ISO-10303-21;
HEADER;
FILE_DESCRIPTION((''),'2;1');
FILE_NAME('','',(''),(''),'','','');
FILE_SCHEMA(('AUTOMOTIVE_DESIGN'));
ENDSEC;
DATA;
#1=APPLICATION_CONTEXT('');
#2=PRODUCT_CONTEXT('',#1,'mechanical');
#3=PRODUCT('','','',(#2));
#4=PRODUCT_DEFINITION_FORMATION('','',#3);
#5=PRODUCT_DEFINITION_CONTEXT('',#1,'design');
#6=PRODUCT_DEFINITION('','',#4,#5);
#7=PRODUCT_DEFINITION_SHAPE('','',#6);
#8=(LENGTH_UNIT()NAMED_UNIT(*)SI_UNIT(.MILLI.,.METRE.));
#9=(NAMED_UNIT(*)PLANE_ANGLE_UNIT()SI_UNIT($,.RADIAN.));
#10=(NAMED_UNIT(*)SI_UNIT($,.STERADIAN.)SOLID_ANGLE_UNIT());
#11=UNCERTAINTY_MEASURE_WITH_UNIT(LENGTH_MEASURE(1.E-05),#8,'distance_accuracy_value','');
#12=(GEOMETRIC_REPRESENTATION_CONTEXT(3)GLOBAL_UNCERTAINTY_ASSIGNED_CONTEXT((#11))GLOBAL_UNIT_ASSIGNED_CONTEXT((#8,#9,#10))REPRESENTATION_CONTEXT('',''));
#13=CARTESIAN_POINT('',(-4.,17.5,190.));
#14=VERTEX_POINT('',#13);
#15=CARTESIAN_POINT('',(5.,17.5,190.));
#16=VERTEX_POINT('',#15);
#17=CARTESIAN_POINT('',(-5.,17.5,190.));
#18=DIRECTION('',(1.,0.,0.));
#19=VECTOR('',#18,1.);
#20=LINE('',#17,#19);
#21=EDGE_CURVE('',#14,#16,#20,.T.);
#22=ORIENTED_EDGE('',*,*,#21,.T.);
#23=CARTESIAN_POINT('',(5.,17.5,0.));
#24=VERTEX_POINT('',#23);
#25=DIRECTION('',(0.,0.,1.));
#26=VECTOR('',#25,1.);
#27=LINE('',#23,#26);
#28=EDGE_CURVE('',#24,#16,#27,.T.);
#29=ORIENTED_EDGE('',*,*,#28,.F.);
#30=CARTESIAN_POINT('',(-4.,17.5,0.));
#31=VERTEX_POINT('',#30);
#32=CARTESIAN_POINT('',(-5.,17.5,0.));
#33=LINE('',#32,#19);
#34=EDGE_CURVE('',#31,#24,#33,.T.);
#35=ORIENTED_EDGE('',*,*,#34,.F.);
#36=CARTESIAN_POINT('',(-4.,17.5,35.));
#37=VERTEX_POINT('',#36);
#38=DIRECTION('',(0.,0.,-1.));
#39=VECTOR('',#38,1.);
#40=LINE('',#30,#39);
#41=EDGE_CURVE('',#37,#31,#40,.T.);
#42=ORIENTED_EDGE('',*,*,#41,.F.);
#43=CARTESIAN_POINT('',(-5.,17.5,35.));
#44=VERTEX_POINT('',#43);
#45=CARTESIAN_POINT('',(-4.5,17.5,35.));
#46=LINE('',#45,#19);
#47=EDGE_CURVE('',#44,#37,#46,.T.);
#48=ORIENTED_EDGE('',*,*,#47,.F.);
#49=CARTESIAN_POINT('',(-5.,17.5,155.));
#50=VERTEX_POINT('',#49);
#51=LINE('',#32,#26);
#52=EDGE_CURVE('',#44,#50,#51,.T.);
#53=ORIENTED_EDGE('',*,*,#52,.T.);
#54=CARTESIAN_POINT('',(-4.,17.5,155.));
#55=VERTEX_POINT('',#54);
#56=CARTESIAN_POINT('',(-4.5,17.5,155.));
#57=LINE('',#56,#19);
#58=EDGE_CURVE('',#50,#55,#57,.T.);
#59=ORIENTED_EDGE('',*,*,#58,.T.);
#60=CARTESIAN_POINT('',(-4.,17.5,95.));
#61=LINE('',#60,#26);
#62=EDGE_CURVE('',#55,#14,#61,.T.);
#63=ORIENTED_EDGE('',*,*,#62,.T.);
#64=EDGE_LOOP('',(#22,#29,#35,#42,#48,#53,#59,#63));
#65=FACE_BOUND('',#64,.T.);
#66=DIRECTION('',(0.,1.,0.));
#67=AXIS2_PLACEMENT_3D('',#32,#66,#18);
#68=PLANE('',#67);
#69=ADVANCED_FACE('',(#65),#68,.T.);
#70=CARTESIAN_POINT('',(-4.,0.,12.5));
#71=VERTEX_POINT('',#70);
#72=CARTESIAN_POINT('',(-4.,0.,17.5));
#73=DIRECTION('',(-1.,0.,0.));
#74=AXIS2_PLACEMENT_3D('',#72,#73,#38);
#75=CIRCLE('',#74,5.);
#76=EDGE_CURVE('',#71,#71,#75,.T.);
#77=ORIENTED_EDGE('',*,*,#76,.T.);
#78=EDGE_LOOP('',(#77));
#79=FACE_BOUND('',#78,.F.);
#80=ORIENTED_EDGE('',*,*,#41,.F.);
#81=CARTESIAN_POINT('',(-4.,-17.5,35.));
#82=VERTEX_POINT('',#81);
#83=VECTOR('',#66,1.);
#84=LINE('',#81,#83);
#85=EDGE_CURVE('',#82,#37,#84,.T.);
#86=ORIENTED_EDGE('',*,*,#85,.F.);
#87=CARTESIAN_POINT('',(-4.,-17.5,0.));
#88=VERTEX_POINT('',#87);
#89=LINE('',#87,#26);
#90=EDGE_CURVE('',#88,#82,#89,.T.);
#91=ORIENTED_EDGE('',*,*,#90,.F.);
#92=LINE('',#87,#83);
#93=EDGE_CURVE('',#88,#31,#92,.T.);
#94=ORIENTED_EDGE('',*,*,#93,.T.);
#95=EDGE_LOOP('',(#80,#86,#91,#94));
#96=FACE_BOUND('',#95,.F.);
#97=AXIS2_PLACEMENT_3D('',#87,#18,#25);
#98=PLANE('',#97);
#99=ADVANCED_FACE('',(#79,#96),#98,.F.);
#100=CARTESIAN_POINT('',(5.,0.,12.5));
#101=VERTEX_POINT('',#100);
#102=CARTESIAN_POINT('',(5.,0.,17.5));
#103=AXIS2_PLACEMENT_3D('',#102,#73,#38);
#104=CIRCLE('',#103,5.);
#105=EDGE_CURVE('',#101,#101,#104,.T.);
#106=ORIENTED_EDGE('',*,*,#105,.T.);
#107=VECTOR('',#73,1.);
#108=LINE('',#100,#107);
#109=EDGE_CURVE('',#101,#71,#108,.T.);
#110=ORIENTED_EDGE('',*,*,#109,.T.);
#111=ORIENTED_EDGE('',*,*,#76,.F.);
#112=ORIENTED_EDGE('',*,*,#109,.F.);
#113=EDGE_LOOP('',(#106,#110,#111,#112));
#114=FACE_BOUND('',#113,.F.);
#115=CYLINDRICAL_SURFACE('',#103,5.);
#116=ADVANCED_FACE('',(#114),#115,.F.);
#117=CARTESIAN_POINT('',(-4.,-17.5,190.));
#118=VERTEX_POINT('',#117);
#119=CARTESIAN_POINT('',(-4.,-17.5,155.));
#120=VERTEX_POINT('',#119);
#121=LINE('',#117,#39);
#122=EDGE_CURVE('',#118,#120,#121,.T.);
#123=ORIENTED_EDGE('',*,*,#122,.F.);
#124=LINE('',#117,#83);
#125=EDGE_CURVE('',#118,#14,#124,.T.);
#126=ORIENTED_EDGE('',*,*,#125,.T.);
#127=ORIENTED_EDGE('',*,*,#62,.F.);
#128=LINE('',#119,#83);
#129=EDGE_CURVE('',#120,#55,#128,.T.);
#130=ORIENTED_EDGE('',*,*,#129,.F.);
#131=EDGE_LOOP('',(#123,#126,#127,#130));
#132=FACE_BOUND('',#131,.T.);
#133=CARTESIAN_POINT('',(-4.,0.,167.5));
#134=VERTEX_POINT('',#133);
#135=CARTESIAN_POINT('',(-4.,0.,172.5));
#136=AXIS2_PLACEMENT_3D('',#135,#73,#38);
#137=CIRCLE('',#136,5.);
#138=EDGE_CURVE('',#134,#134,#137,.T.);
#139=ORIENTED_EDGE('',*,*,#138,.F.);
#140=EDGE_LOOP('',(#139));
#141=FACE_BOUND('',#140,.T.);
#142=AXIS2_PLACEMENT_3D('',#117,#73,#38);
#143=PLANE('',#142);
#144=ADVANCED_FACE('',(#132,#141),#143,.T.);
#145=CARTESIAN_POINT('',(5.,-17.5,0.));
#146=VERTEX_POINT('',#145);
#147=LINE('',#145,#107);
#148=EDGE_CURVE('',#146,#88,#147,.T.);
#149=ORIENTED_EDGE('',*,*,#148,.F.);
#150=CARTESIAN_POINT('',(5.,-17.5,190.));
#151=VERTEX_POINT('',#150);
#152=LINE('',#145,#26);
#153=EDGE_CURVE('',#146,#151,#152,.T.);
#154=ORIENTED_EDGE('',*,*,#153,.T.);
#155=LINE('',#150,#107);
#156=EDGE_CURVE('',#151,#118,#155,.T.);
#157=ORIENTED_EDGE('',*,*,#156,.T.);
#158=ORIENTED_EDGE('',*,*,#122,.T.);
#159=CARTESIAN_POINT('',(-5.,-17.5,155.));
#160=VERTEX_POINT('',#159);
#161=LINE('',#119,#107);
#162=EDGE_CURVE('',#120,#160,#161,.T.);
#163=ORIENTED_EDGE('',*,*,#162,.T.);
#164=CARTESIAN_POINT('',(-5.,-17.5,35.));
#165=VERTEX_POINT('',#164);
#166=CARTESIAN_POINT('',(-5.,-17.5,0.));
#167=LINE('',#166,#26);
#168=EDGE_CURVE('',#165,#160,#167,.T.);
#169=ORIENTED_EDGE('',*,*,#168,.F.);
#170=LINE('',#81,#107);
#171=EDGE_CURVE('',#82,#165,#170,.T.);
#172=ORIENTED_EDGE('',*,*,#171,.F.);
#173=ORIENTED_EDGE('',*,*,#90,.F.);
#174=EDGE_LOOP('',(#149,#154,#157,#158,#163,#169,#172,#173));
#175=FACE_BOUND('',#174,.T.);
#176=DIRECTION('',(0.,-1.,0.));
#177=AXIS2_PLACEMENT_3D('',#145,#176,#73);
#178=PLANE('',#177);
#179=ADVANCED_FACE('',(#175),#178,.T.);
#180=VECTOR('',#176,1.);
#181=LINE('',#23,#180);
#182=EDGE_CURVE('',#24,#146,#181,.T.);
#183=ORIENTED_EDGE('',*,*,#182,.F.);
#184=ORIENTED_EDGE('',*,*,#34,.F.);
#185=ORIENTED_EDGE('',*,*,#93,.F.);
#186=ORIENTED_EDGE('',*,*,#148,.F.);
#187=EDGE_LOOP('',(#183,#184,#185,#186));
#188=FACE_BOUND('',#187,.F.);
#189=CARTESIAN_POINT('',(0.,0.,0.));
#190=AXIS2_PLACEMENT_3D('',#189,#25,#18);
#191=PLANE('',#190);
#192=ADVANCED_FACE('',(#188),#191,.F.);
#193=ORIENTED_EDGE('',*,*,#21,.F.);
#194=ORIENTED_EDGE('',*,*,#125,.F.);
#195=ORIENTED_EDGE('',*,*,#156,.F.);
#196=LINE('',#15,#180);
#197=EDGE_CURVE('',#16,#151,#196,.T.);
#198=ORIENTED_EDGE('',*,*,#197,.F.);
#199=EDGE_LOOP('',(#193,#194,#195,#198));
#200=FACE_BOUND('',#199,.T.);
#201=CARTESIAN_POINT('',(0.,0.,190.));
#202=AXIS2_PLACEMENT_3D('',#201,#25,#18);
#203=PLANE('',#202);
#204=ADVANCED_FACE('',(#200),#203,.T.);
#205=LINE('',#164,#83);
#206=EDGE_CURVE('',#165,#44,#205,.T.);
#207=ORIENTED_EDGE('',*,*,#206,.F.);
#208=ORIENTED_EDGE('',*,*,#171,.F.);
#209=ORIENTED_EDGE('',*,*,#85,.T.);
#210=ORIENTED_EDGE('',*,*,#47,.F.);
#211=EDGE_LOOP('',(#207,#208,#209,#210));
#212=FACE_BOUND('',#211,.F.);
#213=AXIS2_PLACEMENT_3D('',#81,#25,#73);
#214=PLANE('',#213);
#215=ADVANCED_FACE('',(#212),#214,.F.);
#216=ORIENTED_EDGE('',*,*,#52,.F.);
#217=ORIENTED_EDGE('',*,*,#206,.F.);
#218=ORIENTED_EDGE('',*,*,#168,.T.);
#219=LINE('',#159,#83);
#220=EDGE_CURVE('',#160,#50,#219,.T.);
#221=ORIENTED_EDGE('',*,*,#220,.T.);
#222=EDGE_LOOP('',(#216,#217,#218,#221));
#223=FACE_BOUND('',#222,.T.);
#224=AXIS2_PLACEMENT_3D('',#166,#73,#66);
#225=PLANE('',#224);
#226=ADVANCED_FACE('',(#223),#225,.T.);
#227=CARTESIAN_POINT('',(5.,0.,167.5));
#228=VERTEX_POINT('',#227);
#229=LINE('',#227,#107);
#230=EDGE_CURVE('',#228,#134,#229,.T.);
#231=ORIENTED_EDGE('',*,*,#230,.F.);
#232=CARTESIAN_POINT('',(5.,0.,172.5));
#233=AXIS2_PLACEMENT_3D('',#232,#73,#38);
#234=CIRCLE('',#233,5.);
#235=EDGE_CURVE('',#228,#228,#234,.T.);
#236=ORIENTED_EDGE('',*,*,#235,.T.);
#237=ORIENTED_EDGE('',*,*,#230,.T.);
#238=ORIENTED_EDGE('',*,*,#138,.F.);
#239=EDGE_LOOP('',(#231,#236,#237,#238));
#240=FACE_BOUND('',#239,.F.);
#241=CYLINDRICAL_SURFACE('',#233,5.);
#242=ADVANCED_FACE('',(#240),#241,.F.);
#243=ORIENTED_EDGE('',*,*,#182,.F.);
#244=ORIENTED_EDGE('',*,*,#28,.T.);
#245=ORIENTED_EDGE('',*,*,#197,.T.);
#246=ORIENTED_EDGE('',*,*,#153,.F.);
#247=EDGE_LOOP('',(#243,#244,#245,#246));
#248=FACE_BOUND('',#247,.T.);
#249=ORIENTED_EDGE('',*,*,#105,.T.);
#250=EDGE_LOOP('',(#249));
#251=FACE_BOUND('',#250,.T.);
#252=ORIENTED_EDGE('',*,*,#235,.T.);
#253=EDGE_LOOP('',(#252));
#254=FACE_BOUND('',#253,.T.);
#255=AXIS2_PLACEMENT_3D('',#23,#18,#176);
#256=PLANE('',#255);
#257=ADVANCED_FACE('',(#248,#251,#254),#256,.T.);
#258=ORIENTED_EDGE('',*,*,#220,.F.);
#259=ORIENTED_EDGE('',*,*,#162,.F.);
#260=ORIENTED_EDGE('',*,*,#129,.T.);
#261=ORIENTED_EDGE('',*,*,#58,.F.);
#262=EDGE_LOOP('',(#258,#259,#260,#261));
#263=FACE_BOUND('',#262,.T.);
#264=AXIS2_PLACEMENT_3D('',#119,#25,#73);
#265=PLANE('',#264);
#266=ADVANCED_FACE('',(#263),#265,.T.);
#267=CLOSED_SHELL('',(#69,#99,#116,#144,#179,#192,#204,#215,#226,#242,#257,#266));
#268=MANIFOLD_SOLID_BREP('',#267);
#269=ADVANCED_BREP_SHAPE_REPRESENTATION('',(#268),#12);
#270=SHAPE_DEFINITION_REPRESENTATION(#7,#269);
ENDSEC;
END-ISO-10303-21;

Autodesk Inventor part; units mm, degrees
ref_plane "YZ Plane" through (0, 0, 0) normal (1, 0, 0) x (0, 1, 0)
ref_plane "Startebene" through (0, 0, 0) normal (0, 0, 1) x (1, 0, 0)
ref_plane "Endebene" through (0, 0, 190) normal (0, 0, 1) x (1, 0, 0)
sketch "Skizze" plane through (0, 0, 0) normal (0, 0, 1) x (1, 0, 0)
  line L0 (5, -17.5) -> (-5, -17.5)
  line L1 (-5, -17.5) -> (-5, 17.5)
  line L2 (-5, 17.5) -> (5, 17.5)
  line L3 (5, 17.5) -> (5, -17.5)
  line L4 (-6, 0) -> (8, 0) construction
  line L5 (0, -30) -> (0, 40) construction
  line L6 (0, 54) -> (0, -44) construction
  line L7 (-9.2, 0) -> (13.2, 0) construction
  dimension "d0" = 35
  dimension "d1" = 10
  dimension "d4" = 5
  dimension "d5" = 17.5
extrude "Körper" add sketch "Skizze" along normal up to surface (190 mm away) from surface at 0
sketch "Sketch3" plane through (0, 0, 0) normal (0, 0, 1) x (1, 0, 0)
  line L0 (0, 0) -> (10, 0)
ref_plane "Work Plane3" through (0, 0, 0) normal (0, -1, 0) x (1, 0, 0)
sketch "Sketch4" plane through (0, 0, 0) normal (0, -1, 0) x (1, 0, 0)
  line L0 (-2, 0) -> (12, 0)
  line L1 (-2, 190) -> (12, 190)
  dimension "d9" = 190
sketch "Skizze5" plane through (5, -17.5, 190) normal (1, 0, 0) x (0, 0, -1)
  line L0 (0, 35) -> (0, 0) projected
  line L1 (190, 35) -> (190, 0) projected
  line L2 (190, 35) -> (0, 35) projected
  point P0 (190, 17.5)
  point P1 (17.5, 17.5)
  point P2 (172.5, 17.5)
  dimension "d10" = 17.5
  dimension "d11" = 17.5
  dimension "d12" = 17.5
  dimension "d13" = 17.5
hole "Bohrung1" at (5, 0, 17.5) at (5, 0, 172.5) direction (-1, 0, 0) diameter 10 end through all
sketch "Skizze7" plane through (-5, -17.5, 0) normal (0, -1, 0) x (1, 0, 0)
  line L0 (0, 190) -> (1, 190)
  line L1 (1, 190) -> (1, 155)
  line L2 (1, 155) -> (0, 155)
  line L3 (0, 155) -> (0, 190)
  line L4 (0, 0) -> (1, 0)
  line L5 (1, 0) -> (1, 35)
  line L6 (1, 35) -> (0, 35)
  line L7 (0, 35) -> (0, 0)
  dimension "d26" = 35
  dimension "d27" = 35
  dimension "d28" = 1
  dimension "d29" = 1
extrude "Extrusion2" cut sketch "Skizze7" against normal through all
equation "\"d0\" = G_W"
equation "\"d1\" = G_H"
equation "\"d4\" = 0.5 * d1"
equation "\"d5\" = 0.5 * d0"
equation "\"d2\" = G_L"
equation "\"G_W\" = 35"
equation "\"G_H\" = 10"
equation "\"G_L\" = d9"
equation "\"G_OFFSET_START\" = 0"
equation "\"G_OFFSET_END\" = 0"
properties part number "EN 10058 - 35 x 10 - 190" material "Stahl, weich"
